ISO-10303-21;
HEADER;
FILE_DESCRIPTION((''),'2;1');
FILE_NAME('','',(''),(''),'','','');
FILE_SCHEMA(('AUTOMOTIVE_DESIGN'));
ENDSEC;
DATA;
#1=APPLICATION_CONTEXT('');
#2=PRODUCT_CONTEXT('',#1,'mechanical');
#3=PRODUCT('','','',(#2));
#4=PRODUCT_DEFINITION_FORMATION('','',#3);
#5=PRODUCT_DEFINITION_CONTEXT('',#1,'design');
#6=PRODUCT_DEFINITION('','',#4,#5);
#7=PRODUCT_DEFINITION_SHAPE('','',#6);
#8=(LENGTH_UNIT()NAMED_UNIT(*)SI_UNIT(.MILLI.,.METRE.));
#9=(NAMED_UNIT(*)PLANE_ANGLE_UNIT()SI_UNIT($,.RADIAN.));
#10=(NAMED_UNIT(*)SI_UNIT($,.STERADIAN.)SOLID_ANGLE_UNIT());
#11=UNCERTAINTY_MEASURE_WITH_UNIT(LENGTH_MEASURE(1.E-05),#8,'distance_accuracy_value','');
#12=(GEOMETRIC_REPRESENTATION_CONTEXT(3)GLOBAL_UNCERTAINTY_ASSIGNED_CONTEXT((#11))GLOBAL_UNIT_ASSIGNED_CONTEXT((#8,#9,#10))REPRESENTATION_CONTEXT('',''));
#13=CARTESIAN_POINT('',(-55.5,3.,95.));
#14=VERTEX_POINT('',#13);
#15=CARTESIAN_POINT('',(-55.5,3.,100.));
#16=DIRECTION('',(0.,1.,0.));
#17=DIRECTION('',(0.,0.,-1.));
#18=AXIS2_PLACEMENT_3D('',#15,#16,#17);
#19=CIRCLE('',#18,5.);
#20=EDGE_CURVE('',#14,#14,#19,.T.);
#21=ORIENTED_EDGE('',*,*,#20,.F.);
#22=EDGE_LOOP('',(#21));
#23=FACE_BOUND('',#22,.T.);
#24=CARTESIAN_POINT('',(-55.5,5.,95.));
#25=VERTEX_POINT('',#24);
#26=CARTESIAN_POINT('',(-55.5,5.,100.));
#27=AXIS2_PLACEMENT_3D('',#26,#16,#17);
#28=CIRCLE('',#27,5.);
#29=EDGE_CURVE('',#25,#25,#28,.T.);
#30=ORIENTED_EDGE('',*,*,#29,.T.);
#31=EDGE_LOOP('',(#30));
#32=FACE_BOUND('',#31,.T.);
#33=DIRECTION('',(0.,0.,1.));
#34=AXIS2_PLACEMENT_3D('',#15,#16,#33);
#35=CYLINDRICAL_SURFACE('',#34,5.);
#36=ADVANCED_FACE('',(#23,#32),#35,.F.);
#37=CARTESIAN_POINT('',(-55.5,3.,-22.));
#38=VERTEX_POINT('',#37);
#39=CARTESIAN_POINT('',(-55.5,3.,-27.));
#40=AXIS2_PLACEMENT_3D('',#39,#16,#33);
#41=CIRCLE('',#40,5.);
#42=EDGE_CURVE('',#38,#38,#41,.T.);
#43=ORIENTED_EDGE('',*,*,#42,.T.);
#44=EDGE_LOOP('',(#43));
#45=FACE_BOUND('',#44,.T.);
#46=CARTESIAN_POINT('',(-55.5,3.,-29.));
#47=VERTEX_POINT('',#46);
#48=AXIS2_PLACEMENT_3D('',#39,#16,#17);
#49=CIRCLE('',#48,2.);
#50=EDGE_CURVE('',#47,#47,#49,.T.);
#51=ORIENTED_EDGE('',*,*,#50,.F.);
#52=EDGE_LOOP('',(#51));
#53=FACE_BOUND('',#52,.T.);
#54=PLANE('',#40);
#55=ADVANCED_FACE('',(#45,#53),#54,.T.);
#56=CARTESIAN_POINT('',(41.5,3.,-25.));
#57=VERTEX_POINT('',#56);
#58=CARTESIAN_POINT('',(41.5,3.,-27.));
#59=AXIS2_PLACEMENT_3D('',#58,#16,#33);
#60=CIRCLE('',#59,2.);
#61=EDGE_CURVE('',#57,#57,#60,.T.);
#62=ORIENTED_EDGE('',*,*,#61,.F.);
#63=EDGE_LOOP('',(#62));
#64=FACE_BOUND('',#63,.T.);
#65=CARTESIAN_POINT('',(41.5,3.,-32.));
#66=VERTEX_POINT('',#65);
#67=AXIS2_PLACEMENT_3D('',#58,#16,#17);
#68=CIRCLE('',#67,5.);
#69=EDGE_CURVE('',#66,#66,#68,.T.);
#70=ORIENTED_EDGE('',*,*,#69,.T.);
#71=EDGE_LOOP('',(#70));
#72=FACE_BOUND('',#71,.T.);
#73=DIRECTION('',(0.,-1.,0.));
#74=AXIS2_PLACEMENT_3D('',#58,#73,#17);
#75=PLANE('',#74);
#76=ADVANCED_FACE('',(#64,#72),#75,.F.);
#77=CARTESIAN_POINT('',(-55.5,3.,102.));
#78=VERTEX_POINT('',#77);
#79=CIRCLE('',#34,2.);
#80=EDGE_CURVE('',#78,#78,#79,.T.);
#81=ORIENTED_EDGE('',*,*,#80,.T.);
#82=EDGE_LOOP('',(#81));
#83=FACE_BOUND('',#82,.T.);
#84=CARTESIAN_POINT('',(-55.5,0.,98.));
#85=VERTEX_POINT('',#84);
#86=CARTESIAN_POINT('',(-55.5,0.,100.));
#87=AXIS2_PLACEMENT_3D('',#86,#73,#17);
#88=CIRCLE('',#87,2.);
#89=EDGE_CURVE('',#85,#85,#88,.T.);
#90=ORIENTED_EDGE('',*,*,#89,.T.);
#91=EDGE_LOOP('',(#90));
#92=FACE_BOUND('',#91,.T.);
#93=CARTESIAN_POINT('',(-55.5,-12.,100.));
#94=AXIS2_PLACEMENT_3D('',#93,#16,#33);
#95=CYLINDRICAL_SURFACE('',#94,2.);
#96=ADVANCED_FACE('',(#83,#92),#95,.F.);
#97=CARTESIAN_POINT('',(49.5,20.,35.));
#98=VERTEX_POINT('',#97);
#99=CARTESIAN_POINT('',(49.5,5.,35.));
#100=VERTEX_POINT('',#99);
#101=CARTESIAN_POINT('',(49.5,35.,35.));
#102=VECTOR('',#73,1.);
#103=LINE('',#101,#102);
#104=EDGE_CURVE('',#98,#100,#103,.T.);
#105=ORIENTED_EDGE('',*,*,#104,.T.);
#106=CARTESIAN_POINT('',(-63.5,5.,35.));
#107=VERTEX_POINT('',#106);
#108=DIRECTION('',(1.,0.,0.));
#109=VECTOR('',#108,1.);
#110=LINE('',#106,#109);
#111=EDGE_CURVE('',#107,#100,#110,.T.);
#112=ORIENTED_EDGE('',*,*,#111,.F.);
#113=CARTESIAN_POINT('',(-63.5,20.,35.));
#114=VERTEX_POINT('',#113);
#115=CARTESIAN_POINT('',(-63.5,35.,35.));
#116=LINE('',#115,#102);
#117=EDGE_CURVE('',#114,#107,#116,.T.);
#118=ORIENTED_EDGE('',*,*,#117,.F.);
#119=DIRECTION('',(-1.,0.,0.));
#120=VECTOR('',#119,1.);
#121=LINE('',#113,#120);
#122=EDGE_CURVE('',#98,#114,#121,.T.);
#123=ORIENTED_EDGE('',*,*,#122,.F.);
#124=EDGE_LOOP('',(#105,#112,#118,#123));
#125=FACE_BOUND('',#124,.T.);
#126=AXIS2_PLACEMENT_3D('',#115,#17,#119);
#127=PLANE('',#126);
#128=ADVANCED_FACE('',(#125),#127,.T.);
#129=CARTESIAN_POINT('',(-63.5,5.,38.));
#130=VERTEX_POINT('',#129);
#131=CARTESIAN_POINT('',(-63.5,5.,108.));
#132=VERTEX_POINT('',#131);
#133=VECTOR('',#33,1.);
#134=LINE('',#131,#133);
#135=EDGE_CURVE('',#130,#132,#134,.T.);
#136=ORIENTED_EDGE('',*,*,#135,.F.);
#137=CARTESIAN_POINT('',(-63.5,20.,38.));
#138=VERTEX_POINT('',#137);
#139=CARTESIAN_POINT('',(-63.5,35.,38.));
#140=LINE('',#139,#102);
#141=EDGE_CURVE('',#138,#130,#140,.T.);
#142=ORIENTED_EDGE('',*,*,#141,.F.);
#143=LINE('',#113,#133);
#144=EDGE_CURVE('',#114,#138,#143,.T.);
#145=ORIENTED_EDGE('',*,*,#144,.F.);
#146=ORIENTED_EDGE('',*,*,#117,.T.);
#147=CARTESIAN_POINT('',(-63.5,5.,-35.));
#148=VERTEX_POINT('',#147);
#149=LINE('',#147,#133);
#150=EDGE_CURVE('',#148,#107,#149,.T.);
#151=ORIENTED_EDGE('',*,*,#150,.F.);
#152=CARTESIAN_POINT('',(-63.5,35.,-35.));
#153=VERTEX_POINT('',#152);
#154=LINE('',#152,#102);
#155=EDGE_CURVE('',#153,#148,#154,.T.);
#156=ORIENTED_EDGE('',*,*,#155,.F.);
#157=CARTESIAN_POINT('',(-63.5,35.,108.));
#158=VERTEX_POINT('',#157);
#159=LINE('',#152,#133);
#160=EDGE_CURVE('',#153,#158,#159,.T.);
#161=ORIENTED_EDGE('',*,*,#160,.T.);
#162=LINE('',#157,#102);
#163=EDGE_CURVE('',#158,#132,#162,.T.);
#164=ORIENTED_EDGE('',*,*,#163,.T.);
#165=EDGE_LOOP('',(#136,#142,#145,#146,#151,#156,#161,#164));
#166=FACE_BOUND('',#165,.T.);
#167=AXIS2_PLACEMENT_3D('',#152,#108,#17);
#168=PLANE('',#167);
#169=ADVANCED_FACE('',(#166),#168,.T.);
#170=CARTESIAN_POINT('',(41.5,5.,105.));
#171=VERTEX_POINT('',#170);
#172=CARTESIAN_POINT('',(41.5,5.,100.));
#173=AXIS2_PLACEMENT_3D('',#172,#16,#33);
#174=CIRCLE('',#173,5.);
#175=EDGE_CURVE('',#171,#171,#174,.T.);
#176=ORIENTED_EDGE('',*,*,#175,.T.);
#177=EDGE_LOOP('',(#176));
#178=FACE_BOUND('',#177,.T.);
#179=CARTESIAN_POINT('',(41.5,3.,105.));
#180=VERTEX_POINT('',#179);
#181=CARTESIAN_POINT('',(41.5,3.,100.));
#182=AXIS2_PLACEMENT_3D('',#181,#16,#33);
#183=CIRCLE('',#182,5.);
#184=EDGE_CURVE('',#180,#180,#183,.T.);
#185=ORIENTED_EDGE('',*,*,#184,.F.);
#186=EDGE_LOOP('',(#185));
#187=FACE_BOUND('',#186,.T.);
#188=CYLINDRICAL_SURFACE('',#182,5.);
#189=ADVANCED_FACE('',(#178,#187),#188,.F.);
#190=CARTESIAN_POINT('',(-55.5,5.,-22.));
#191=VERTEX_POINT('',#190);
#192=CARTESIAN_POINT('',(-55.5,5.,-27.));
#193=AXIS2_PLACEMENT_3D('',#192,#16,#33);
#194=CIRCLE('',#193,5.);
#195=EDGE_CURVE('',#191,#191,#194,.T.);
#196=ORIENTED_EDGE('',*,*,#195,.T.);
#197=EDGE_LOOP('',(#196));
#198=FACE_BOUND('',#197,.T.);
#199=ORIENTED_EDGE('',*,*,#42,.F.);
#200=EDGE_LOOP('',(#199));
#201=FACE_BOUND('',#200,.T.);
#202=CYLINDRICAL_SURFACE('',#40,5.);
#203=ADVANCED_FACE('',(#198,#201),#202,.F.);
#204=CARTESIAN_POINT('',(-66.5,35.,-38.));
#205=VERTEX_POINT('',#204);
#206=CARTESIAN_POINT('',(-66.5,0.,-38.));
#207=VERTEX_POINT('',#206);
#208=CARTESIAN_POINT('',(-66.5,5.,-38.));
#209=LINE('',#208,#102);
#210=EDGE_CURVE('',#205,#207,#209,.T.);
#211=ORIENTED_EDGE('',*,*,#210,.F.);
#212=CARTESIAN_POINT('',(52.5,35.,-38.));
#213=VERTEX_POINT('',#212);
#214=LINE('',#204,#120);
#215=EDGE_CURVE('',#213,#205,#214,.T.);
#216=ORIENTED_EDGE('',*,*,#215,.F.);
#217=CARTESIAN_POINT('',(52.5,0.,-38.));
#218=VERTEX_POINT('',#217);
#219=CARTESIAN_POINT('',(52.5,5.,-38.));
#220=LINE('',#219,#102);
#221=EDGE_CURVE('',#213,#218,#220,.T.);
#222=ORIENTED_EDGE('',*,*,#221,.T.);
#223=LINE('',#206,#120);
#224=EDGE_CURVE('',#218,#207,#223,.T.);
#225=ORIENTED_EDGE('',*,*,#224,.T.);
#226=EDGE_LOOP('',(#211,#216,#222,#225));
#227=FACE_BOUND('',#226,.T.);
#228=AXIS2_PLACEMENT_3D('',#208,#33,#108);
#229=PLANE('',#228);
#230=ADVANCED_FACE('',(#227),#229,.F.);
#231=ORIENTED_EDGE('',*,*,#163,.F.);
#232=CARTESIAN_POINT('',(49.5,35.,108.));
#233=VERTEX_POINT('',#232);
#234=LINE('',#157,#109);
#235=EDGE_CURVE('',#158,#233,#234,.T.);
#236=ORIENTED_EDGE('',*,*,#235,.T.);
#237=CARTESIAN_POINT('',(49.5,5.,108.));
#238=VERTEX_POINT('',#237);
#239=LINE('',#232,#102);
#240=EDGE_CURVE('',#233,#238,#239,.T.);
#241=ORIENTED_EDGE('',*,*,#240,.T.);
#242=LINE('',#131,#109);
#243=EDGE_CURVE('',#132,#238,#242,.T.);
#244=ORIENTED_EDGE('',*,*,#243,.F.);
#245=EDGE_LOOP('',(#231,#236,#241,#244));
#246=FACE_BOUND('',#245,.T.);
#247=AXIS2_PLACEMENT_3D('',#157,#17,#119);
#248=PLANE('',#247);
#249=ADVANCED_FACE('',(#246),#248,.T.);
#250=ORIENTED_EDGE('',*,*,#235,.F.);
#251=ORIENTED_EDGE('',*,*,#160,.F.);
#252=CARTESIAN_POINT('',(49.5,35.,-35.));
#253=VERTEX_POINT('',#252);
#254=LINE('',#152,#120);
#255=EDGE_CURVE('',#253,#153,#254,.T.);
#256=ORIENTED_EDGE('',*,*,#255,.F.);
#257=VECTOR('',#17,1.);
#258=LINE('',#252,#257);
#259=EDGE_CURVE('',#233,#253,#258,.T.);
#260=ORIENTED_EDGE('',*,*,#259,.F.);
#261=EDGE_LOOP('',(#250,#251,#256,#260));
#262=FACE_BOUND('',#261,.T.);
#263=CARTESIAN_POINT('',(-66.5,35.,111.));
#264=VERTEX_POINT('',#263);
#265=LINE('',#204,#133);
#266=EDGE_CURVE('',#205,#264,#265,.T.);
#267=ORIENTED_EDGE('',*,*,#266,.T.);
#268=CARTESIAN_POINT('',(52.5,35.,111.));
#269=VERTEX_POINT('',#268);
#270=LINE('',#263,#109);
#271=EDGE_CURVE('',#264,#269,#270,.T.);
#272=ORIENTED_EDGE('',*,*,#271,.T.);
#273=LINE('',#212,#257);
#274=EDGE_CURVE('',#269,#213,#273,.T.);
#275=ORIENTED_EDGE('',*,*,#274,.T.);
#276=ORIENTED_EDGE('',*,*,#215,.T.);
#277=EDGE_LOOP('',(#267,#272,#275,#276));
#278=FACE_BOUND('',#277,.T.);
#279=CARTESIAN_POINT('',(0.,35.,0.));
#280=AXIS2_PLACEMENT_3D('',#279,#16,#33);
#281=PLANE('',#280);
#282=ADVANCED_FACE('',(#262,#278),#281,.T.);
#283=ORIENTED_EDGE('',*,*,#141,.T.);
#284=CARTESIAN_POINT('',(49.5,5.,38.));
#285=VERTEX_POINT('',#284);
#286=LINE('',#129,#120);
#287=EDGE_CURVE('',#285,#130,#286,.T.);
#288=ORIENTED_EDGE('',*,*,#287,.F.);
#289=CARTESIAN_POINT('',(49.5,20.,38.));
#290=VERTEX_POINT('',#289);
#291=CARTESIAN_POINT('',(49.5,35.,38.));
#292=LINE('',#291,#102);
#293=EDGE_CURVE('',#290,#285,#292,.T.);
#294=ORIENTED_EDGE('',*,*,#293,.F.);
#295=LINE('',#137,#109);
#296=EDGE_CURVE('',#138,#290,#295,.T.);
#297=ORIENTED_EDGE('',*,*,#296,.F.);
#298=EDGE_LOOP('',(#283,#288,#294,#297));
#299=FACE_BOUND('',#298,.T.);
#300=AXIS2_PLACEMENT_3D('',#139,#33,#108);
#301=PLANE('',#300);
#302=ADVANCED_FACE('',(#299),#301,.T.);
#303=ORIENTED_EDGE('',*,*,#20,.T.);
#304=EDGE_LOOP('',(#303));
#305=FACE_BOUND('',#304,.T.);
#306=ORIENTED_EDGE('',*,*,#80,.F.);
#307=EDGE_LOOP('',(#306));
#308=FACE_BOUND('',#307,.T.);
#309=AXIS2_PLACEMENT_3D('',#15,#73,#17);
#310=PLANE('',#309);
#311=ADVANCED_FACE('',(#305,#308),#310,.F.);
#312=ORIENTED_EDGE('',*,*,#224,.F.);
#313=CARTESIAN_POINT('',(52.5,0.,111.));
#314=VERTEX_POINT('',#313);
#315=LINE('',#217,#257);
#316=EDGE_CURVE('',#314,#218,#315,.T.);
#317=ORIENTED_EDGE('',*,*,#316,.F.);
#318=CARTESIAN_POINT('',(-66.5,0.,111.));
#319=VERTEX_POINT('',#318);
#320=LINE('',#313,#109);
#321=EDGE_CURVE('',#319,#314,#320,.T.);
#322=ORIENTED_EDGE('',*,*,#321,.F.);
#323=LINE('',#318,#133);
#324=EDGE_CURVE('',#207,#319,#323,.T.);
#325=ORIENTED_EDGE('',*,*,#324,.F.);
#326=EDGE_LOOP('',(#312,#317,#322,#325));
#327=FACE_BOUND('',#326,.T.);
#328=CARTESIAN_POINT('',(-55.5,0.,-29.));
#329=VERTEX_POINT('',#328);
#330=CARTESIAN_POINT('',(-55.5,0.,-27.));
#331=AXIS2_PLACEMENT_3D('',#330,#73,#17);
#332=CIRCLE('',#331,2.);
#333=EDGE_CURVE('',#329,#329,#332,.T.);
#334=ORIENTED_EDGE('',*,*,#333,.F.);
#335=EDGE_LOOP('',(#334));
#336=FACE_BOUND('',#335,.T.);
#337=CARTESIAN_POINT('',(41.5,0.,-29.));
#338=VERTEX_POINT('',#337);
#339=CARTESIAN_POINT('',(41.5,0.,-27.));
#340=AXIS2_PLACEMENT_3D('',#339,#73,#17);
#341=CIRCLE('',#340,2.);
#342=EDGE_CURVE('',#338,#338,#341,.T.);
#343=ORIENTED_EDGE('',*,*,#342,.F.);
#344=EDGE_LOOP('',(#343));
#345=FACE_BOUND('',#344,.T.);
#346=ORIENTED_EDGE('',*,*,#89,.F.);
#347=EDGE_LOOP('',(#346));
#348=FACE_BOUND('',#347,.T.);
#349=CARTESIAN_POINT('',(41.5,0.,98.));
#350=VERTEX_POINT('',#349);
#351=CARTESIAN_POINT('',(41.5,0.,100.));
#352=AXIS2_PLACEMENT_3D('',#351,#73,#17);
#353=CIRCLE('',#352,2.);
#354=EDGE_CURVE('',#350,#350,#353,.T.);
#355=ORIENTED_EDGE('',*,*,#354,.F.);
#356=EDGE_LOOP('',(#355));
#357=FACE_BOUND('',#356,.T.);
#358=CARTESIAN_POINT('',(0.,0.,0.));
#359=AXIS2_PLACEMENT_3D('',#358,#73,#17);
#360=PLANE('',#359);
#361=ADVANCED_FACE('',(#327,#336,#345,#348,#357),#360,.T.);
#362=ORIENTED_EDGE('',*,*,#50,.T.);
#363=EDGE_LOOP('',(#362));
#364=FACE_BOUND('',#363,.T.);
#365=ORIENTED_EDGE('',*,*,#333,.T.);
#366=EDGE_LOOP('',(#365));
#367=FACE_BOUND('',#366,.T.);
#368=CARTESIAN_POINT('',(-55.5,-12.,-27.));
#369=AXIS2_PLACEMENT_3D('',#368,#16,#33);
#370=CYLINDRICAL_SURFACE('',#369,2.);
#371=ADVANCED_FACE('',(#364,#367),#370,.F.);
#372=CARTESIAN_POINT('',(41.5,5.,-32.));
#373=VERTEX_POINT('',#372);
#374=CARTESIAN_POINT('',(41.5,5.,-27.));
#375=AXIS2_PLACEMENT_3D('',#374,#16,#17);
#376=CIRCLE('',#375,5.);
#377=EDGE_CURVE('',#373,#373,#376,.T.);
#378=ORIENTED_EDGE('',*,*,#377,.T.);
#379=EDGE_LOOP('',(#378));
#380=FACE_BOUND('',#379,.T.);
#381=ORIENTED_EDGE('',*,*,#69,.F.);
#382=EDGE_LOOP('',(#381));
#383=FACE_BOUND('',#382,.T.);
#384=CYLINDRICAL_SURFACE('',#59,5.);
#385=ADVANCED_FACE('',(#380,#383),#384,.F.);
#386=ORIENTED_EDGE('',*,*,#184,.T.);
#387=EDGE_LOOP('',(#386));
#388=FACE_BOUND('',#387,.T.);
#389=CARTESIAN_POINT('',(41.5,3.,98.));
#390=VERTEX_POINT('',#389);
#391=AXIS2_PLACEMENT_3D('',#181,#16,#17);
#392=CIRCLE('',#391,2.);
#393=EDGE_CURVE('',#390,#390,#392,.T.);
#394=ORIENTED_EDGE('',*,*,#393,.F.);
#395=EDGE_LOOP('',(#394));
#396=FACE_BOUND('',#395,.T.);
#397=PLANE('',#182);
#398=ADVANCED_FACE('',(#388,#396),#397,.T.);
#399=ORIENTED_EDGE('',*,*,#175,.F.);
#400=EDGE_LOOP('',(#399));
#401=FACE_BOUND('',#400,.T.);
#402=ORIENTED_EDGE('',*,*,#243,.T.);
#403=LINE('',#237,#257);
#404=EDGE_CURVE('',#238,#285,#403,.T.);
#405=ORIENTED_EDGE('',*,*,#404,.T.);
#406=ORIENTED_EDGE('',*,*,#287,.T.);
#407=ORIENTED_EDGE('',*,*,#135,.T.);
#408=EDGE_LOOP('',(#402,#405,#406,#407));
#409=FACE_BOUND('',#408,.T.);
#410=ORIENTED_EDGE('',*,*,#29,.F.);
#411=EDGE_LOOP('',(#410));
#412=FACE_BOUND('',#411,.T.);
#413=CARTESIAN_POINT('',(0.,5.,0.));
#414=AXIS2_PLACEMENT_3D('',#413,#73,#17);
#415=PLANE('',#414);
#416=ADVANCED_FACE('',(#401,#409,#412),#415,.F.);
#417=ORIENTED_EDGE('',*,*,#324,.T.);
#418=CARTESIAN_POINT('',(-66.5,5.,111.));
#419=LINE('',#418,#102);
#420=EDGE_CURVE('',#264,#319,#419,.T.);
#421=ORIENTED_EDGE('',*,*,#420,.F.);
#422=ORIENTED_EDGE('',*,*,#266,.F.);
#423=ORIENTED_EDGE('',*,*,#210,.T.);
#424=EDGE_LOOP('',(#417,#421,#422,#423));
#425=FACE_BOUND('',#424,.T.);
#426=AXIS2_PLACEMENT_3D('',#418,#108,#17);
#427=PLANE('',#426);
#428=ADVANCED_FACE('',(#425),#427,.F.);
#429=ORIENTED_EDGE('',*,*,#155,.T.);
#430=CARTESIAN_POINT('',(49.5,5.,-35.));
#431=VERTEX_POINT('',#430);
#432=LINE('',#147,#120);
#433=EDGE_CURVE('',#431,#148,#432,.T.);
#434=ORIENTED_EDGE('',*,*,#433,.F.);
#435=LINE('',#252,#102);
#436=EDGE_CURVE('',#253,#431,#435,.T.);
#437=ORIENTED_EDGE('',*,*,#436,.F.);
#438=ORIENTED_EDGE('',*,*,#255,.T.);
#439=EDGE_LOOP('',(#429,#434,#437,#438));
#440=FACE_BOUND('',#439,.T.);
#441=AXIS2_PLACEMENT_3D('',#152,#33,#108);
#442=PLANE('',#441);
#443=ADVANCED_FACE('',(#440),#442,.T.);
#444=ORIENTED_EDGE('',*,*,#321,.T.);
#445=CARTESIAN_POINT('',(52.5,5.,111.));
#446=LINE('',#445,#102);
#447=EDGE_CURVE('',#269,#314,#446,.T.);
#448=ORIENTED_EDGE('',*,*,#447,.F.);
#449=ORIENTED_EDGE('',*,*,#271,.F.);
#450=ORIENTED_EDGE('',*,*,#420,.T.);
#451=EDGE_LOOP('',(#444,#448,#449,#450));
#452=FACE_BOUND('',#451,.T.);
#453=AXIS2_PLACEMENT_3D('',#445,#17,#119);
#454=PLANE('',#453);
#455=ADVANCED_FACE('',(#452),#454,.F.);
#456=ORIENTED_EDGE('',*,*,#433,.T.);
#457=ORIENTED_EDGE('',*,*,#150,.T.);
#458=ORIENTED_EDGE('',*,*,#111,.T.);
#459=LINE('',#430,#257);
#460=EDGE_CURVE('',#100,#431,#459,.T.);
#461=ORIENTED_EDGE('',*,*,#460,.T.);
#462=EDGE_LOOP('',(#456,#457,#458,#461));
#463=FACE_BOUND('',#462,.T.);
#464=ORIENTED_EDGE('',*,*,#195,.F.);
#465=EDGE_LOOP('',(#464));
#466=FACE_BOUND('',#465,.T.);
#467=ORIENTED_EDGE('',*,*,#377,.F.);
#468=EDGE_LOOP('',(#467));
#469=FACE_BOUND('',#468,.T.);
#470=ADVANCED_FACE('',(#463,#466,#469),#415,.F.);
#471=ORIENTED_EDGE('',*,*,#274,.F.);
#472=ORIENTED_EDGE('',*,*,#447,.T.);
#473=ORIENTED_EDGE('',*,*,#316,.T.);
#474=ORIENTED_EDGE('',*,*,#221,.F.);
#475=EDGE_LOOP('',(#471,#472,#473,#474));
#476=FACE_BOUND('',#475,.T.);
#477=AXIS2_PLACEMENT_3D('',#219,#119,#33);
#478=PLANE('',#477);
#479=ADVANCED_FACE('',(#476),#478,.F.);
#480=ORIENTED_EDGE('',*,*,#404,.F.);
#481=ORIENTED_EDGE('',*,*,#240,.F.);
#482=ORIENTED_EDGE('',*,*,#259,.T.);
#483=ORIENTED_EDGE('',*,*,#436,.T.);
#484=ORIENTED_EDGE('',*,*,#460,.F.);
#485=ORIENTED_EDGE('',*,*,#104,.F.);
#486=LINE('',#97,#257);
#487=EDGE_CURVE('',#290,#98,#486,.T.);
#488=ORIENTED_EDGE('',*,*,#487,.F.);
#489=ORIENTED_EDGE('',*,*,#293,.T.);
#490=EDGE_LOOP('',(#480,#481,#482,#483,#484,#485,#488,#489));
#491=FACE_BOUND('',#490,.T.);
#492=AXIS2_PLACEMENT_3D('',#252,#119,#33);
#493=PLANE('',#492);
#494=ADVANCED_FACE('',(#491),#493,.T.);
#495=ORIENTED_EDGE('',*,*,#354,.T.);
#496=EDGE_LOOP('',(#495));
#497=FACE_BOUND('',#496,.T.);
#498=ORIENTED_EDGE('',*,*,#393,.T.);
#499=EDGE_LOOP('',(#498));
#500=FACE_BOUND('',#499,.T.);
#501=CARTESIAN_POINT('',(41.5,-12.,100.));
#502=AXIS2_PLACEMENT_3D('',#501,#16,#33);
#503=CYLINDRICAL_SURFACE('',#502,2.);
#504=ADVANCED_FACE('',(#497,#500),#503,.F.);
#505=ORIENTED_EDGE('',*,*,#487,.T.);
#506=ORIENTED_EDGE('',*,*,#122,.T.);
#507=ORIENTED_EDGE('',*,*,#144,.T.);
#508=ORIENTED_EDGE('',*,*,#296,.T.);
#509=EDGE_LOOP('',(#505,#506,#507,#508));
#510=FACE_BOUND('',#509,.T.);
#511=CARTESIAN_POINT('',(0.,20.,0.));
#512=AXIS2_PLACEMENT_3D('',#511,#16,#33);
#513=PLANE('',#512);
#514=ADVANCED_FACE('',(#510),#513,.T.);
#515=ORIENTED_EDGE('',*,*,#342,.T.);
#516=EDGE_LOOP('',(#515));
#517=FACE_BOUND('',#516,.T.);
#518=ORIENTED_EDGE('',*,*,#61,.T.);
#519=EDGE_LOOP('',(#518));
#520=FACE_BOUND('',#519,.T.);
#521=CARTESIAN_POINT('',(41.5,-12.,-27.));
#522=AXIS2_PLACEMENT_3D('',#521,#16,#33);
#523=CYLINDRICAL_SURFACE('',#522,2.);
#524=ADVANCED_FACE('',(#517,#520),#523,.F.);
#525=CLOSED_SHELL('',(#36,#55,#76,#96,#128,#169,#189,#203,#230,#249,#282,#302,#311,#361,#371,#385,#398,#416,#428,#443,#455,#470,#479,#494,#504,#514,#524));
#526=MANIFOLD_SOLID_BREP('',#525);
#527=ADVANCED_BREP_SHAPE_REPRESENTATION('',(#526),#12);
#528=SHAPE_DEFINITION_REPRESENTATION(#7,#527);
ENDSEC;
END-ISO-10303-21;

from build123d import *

# Parameters (mm, degrees)
BOSS_EXTRUDE1_DEPTH = 5
SKETCH3_W           = 119
SKETCH3_H           = 149
SKETCH3_W_2         = 113
SKETCH3_H_2         = 70
BOSS_EXTRUDE3_DEPTH = 30
SKETCH7_W           = 113
SKETCH7_H           = 3
CUT_EXTRUDE2_DEPTH  = 15
SKETCH8_R           = 5
CUT_EXTRUDE3_DEPTH  = 2
SKETCH9_R           = 2
CUT_EXTRUDE4_DEPTH  = 15


with BuildPart() as part:
    # Sketch2 → Boss-Extrude1 (new body)
    with BuildSketch(Plane(origin=(0, 0, 0), x_dir=(1, 0, 0), z_dir=(0, 1, 0))):
        Polygon((-66.5, 35), (-66.5, 38), (52.5, 38), (52.5, -111), (-66.5, -111), align=None)
    extrude(amount=BOSS_EXTRUDE1_DEPTH)

    # Sketch3 → Boss-Extrude3 (add)
    with BuildSketch(Plane(origin=(0, 5, 0), x_dir=(1, 0, 0), z_dir=(0, 1, 0))):
        with Locations((-7, -36.5)):
            Rectangle(SKETCH3_W, SKETCH3_H)
        with Locations((-7, 0)):
            Rectangle(SKETCH3_W_2, SKETCH3_H_2, mode=Mode.SUBTRACT)
        with Locations((-7, -73)):
            Rectangle(SKETCH3_W_2, SKETCH3_H_2, mode=Mode.SUBTRACT)
    extrude(amount=BOSS_EXTRUDE3_DEPTH)

    # Sketch7 → Cut-Extrude2 (cut)
    with BuildSketch(Plane(origin=(0, 35, 0), x_dir=(1, 0, 0), z_dir=(0, 1, 0))):
        with Locations((-7, -36.5)):
            Rectangle(SKETCH7_W, SKETCH7_H)
    extrude(amount=-CUT_EXTRUDE2_DEPTH, mode=Mode.SUBTRACT)

    # Sketch8 → Cut-Extrude3 (cut)
    with BuildSketch(Plane(origin=(0, 5, 0), x_dir=(1, 0, 0), z_dir=(0, 1, 0))):
        with Locations(Location((-55.5, 27, 0), (0, 0, 270))):
            Circle(SKETCH8_R)
        with Locations(Location((41.5, 27, 0), (0, 0, 90))):
            Circle(SKETCH8_R)
        with Locations(Location((41.5, -100, 0), (0, 0, 270))):
            Circle(SKETCH8_R)
        with Locations(Location((-55.5, -100, 0), (0, 0, 90))):
            Circle(SKETCH8_R)
    extrude(amount=-CUT_EXTRUDE3_DEPTH, mode=Mode.SUBTRACT)

    # Sketch9 → Cut-Extrude4 (cut)
    with BuildSketch(Plane(origin=(0, 3, 0), x_dir=(1, 0, 0), z_dir=(0, 1, 0))):
        with Locations(Location((41.5, 27, 0), (0, 0, 270))):
            Circle(SKETCH9_R)
        with Locations(Location((-55.5, 27, 0), (0, 0, 90))):
            Circle(SKETCH9_R)
        with Locations(Location((41.5, -100, 0), (0, 0, 90))):
            Circle(SKETCH9_R)
        with Locations(Location((-55.5, -100, 0), (0, 0, 270))):
            Circle(SKETCH9_R)
    extrude(amount=-CUT_EXTRUDE4_DEPTH, mode=Mode.SUBTRACT)


solid = part.part
